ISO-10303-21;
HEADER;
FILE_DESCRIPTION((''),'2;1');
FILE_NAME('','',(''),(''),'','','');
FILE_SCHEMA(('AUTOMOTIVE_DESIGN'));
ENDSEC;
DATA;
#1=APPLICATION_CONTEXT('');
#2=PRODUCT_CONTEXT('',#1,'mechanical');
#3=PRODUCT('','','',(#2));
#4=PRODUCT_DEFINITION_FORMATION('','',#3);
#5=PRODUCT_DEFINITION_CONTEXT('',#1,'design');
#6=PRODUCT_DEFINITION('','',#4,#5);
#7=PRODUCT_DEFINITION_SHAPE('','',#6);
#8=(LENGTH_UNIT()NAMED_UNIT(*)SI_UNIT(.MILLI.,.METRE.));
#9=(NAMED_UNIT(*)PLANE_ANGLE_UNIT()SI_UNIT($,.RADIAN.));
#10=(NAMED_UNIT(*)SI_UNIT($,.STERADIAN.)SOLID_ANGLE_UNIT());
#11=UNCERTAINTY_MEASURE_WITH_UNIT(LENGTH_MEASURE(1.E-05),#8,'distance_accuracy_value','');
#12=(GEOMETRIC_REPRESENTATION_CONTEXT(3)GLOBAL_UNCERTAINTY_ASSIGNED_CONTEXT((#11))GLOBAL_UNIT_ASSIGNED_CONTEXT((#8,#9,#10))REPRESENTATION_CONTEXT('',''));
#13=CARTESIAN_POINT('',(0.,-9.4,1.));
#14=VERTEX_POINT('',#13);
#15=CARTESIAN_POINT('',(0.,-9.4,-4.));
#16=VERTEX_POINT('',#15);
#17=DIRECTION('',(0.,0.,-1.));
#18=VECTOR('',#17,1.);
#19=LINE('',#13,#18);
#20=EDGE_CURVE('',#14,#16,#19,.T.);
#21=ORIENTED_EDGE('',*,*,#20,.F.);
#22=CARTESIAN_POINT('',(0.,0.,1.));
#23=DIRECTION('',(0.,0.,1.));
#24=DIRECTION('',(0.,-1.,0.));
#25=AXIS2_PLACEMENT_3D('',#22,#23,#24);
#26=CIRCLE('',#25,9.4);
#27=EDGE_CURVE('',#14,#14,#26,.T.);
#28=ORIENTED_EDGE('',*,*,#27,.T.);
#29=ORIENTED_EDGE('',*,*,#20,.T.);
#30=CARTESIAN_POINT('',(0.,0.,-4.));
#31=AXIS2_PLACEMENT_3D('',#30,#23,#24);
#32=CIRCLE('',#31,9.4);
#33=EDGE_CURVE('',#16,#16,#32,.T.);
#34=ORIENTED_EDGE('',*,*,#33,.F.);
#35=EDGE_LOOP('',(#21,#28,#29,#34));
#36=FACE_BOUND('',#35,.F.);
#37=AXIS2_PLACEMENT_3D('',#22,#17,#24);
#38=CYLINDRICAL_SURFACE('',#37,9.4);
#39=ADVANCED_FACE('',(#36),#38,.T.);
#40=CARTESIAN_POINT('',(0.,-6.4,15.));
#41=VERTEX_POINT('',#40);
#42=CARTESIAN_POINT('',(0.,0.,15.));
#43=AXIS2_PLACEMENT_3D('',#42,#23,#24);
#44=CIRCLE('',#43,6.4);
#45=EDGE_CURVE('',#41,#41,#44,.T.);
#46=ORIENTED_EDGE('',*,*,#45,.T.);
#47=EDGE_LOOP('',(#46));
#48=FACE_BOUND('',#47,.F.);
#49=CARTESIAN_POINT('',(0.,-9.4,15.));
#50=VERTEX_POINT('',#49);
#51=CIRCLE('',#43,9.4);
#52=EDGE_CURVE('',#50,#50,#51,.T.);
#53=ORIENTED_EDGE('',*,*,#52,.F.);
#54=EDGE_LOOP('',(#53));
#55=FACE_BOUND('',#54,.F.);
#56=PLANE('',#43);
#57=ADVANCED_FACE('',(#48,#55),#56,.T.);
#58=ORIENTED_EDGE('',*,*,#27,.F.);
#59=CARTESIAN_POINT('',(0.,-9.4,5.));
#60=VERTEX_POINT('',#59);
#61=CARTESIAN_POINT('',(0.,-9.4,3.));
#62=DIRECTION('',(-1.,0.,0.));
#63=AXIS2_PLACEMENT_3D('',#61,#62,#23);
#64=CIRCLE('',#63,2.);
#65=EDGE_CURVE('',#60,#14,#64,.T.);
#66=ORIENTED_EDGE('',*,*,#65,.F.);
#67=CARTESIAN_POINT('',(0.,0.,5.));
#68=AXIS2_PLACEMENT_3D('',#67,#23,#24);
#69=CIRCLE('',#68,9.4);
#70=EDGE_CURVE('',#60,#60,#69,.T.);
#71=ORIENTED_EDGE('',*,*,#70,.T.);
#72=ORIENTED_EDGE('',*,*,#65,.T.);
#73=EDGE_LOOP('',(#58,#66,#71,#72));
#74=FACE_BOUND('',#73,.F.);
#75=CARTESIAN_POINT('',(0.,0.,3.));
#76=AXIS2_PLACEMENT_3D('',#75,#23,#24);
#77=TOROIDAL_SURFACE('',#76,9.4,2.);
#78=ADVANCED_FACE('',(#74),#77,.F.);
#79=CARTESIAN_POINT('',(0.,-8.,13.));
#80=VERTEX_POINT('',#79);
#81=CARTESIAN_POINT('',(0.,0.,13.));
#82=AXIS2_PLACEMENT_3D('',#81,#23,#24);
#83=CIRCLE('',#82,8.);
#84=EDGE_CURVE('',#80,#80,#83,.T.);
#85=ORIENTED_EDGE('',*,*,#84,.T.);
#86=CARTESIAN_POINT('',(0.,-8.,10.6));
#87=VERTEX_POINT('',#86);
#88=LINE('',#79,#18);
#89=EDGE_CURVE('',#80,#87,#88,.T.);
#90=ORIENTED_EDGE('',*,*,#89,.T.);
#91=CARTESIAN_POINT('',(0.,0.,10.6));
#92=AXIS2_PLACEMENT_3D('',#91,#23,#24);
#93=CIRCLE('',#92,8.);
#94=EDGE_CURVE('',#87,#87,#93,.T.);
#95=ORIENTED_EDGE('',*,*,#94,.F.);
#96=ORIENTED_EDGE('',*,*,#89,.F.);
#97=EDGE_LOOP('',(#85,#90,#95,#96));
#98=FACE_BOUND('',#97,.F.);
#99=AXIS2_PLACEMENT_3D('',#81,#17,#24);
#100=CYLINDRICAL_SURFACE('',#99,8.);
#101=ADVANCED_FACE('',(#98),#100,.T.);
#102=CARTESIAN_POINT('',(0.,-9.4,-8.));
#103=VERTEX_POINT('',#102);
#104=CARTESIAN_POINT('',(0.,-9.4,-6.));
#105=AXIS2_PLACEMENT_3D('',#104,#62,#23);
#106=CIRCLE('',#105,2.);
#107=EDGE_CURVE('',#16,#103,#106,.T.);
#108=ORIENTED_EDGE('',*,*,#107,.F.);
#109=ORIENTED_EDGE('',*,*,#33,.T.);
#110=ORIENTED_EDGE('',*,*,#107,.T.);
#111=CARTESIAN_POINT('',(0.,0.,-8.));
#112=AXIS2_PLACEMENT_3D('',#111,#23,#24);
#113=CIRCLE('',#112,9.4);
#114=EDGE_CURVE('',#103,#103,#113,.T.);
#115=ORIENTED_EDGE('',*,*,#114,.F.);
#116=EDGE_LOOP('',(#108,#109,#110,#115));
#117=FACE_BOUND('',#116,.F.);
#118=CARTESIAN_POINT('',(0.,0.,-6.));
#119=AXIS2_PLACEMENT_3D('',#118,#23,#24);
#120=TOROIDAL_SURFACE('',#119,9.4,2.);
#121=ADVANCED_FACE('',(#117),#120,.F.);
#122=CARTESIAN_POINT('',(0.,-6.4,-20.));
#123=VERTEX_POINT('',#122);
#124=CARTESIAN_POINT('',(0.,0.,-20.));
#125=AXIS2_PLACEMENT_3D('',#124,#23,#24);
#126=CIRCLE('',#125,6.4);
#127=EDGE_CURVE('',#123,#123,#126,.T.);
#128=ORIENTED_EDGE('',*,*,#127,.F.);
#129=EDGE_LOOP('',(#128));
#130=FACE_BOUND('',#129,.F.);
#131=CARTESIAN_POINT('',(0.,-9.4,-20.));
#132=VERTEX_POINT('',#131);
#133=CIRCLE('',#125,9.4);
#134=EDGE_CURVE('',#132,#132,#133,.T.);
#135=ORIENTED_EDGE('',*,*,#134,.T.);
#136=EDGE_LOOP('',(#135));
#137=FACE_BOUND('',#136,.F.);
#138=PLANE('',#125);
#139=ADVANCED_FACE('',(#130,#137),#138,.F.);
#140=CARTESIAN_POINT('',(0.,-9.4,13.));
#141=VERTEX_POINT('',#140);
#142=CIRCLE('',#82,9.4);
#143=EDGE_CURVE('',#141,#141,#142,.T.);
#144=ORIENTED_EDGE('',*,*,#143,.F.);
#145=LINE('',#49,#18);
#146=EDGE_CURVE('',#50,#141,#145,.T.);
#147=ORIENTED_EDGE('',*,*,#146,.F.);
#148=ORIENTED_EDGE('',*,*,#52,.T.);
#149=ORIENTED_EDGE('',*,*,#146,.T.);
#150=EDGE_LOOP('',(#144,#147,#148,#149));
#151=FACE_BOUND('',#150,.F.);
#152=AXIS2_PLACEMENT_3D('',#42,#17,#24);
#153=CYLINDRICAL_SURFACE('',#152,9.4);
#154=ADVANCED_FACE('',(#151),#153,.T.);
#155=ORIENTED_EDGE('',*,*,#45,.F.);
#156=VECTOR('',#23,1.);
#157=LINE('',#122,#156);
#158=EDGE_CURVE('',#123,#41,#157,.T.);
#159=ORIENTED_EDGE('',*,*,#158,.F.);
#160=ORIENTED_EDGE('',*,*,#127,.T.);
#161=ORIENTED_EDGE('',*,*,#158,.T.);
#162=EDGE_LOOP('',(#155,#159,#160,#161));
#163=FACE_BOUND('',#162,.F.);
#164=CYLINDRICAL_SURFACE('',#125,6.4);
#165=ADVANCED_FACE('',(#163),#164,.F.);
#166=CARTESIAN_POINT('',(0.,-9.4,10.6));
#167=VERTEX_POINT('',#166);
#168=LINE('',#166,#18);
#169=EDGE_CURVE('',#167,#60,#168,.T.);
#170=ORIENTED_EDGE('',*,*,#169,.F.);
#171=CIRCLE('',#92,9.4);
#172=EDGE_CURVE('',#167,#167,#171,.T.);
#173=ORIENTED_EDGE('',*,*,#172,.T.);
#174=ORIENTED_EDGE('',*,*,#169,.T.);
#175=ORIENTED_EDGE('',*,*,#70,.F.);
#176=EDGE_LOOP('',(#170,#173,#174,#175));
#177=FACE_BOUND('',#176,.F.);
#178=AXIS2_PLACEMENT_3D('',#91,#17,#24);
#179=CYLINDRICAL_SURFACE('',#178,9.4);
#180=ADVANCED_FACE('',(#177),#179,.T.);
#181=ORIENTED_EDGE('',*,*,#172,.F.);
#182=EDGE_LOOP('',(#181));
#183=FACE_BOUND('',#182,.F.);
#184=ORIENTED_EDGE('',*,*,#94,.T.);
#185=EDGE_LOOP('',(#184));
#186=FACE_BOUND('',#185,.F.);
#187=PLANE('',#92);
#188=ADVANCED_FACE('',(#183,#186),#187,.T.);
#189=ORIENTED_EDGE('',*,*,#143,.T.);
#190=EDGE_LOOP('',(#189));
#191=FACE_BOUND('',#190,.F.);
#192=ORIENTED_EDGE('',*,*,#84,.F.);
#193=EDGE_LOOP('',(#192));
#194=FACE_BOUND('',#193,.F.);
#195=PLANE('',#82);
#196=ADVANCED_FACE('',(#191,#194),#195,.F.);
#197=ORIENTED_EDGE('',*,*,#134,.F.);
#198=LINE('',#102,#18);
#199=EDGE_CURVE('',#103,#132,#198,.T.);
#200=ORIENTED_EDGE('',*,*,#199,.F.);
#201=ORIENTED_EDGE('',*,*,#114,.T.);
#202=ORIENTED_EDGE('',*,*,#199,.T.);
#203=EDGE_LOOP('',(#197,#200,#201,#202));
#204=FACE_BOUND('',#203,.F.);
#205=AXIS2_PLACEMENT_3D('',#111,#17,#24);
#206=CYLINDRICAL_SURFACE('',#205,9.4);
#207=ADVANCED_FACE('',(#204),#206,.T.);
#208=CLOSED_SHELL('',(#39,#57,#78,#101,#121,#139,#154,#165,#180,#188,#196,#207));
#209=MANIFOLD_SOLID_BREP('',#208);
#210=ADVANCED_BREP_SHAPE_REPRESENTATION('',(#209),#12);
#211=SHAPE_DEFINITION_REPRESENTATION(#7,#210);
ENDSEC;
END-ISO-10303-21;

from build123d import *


with BuildPart() as f1:
    # F0 (on Right) → F1 (revolve)
    with BuildSketch(Plane.YZ):
        with BuildLine():
            Line((-6.4, -20), (-6.4, 15))
            Line((-6.4, 15), (-9.4, 15))
            Line((-9.4, 15), (-9.4, 13))
            Line((-9.4, 13), (-8, 13))
            Line((-8, 13), (-8, 10.6))
            Line((-8, 10.6), (-9.4, 10.6))
            Line((-9.4, 10.6), (-9.4, 5))
            ThreePointArc((-9.4, 5), (-7.4, 3), (-9.4, 1))
            Line((-9.4, 1), (-9.4, -4))
            ThreePointArc((-9.4, -4), (-7.4, -6), (-9.4, -8))
            Line((-9.4, -8), (-9.4, -20))
            Line((-9.4, -20), (-6.4, -20))
        make_face()
    revolve(axis=Axis((0, 0, -1.812923), (0, 0, 1)))


solid = f1.part
